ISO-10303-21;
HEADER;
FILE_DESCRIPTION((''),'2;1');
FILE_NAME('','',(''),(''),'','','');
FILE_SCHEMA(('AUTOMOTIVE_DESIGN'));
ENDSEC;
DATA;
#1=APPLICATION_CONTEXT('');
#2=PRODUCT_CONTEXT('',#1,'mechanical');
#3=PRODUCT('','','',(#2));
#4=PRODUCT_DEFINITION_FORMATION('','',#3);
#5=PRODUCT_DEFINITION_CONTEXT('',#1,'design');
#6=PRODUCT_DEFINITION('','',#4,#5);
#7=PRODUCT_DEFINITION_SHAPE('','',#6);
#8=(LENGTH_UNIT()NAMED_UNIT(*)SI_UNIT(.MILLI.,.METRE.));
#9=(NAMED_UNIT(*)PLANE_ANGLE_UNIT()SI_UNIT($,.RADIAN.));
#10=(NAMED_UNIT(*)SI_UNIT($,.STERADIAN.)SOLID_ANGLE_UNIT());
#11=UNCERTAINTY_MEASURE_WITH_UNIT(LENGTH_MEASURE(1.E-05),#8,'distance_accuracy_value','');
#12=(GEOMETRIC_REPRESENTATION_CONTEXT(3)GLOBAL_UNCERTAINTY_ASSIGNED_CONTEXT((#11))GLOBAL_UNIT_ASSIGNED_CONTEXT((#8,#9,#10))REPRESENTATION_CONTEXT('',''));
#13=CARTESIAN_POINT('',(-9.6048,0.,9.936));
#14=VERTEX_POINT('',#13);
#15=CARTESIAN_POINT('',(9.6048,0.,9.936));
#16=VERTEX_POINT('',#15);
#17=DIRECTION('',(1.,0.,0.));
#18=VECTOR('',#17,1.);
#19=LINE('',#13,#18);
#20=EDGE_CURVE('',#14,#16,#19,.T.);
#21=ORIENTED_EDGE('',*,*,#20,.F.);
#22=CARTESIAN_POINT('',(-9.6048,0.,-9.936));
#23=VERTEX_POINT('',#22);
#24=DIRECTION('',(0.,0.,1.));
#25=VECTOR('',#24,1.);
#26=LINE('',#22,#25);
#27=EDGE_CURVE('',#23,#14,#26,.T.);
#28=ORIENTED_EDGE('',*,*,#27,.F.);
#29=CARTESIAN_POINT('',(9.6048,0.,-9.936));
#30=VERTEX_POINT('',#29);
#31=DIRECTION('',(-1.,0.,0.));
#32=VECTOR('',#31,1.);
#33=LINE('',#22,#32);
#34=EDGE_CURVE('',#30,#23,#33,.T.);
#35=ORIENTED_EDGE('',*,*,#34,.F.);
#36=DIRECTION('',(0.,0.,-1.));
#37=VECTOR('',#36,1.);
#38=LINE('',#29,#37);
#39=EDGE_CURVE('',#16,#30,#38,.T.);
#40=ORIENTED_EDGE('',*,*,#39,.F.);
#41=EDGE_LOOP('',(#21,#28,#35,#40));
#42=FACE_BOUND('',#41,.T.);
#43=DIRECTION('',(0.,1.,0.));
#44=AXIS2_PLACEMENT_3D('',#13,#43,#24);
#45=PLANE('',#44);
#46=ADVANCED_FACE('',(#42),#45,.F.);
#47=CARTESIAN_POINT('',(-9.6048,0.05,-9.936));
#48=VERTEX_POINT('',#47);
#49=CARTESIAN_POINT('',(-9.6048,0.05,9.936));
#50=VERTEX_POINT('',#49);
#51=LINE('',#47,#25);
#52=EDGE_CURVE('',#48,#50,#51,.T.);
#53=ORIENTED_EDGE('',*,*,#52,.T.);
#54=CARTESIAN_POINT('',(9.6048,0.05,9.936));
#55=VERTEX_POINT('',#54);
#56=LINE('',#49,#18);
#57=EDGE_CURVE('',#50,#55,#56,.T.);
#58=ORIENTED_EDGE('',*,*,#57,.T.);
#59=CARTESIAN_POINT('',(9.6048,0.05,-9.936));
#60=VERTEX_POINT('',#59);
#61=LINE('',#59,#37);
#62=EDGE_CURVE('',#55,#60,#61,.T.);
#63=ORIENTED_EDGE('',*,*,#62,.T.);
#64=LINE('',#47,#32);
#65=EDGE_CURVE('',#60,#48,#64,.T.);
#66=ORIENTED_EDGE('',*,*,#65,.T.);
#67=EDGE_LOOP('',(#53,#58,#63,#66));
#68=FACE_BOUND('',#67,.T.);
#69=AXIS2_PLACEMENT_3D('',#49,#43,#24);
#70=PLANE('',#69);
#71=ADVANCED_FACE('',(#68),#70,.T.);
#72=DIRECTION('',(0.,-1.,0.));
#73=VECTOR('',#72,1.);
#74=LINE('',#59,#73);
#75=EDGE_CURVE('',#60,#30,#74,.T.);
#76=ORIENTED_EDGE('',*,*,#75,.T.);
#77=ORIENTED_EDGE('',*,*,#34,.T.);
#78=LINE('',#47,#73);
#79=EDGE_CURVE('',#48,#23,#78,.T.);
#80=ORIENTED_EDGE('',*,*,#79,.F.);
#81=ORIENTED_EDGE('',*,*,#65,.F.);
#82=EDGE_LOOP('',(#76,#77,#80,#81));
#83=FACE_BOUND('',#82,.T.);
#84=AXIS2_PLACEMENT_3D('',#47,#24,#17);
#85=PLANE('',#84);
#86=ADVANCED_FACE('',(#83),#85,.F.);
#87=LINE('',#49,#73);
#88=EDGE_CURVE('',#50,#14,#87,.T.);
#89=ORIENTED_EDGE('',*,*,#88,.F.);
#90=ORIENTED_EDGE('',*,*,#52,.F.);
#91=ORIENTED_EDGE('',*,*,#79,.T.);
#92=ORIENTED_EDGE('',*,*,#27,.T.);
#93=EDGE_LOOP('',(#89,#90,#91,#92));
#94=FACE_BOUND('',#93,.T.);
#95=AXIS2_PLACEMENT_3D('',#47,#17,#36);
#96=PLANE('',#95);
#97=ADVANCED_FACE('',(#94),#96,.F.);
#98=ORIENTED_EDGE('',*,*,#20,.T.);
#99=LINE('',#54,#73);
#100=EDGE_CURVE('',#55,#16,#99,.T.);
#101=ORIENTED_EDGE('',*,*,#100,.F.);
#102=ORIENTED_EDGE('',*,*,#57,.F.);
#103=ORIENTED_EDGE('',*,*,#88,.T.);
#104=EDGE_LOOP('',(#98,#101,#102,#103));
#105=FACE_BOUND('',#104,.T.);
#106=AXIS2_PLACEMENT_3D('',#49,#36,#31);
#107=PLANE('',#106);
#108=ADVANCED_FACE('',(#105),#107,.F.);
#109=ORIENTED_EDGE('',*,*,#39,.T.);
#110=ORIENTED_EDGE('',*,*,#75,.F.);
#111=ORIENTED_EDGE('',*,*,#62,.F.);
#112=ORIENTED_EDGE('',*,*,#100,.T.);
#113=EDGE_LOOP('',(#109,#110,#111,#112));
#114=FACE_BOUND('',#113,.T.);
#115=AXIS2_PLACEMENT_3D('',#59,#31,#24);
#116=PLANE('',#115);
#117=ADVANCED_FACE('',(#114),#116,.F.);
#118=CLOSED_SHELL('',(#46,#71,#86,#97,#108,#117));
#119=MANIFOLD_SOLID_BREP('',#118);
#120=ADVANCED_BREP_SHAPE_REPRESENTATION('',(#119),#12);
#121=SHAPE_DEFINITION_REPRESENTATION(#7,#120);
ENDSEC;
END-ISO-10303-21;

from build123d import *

# Parameters (mm, degrees)
SKETCH1_W      = 19.2096
SKETCH1_H      = 19.872
EXTRUDE1_DEPTH = 0.05


with BuildPart() as part:
    # Sketch1 → Extrude1 (new body)
    with BuildSketch(Plane(origin=(0, 0, 0), x_dir=(1, 0, 0), z_dir=(0, 1, 0))):
        Rectangle(SKETCH1_W, SKETCH1_H)
    extrude(amount=EXTRUDE1_DEPTH)


solid = part.part
